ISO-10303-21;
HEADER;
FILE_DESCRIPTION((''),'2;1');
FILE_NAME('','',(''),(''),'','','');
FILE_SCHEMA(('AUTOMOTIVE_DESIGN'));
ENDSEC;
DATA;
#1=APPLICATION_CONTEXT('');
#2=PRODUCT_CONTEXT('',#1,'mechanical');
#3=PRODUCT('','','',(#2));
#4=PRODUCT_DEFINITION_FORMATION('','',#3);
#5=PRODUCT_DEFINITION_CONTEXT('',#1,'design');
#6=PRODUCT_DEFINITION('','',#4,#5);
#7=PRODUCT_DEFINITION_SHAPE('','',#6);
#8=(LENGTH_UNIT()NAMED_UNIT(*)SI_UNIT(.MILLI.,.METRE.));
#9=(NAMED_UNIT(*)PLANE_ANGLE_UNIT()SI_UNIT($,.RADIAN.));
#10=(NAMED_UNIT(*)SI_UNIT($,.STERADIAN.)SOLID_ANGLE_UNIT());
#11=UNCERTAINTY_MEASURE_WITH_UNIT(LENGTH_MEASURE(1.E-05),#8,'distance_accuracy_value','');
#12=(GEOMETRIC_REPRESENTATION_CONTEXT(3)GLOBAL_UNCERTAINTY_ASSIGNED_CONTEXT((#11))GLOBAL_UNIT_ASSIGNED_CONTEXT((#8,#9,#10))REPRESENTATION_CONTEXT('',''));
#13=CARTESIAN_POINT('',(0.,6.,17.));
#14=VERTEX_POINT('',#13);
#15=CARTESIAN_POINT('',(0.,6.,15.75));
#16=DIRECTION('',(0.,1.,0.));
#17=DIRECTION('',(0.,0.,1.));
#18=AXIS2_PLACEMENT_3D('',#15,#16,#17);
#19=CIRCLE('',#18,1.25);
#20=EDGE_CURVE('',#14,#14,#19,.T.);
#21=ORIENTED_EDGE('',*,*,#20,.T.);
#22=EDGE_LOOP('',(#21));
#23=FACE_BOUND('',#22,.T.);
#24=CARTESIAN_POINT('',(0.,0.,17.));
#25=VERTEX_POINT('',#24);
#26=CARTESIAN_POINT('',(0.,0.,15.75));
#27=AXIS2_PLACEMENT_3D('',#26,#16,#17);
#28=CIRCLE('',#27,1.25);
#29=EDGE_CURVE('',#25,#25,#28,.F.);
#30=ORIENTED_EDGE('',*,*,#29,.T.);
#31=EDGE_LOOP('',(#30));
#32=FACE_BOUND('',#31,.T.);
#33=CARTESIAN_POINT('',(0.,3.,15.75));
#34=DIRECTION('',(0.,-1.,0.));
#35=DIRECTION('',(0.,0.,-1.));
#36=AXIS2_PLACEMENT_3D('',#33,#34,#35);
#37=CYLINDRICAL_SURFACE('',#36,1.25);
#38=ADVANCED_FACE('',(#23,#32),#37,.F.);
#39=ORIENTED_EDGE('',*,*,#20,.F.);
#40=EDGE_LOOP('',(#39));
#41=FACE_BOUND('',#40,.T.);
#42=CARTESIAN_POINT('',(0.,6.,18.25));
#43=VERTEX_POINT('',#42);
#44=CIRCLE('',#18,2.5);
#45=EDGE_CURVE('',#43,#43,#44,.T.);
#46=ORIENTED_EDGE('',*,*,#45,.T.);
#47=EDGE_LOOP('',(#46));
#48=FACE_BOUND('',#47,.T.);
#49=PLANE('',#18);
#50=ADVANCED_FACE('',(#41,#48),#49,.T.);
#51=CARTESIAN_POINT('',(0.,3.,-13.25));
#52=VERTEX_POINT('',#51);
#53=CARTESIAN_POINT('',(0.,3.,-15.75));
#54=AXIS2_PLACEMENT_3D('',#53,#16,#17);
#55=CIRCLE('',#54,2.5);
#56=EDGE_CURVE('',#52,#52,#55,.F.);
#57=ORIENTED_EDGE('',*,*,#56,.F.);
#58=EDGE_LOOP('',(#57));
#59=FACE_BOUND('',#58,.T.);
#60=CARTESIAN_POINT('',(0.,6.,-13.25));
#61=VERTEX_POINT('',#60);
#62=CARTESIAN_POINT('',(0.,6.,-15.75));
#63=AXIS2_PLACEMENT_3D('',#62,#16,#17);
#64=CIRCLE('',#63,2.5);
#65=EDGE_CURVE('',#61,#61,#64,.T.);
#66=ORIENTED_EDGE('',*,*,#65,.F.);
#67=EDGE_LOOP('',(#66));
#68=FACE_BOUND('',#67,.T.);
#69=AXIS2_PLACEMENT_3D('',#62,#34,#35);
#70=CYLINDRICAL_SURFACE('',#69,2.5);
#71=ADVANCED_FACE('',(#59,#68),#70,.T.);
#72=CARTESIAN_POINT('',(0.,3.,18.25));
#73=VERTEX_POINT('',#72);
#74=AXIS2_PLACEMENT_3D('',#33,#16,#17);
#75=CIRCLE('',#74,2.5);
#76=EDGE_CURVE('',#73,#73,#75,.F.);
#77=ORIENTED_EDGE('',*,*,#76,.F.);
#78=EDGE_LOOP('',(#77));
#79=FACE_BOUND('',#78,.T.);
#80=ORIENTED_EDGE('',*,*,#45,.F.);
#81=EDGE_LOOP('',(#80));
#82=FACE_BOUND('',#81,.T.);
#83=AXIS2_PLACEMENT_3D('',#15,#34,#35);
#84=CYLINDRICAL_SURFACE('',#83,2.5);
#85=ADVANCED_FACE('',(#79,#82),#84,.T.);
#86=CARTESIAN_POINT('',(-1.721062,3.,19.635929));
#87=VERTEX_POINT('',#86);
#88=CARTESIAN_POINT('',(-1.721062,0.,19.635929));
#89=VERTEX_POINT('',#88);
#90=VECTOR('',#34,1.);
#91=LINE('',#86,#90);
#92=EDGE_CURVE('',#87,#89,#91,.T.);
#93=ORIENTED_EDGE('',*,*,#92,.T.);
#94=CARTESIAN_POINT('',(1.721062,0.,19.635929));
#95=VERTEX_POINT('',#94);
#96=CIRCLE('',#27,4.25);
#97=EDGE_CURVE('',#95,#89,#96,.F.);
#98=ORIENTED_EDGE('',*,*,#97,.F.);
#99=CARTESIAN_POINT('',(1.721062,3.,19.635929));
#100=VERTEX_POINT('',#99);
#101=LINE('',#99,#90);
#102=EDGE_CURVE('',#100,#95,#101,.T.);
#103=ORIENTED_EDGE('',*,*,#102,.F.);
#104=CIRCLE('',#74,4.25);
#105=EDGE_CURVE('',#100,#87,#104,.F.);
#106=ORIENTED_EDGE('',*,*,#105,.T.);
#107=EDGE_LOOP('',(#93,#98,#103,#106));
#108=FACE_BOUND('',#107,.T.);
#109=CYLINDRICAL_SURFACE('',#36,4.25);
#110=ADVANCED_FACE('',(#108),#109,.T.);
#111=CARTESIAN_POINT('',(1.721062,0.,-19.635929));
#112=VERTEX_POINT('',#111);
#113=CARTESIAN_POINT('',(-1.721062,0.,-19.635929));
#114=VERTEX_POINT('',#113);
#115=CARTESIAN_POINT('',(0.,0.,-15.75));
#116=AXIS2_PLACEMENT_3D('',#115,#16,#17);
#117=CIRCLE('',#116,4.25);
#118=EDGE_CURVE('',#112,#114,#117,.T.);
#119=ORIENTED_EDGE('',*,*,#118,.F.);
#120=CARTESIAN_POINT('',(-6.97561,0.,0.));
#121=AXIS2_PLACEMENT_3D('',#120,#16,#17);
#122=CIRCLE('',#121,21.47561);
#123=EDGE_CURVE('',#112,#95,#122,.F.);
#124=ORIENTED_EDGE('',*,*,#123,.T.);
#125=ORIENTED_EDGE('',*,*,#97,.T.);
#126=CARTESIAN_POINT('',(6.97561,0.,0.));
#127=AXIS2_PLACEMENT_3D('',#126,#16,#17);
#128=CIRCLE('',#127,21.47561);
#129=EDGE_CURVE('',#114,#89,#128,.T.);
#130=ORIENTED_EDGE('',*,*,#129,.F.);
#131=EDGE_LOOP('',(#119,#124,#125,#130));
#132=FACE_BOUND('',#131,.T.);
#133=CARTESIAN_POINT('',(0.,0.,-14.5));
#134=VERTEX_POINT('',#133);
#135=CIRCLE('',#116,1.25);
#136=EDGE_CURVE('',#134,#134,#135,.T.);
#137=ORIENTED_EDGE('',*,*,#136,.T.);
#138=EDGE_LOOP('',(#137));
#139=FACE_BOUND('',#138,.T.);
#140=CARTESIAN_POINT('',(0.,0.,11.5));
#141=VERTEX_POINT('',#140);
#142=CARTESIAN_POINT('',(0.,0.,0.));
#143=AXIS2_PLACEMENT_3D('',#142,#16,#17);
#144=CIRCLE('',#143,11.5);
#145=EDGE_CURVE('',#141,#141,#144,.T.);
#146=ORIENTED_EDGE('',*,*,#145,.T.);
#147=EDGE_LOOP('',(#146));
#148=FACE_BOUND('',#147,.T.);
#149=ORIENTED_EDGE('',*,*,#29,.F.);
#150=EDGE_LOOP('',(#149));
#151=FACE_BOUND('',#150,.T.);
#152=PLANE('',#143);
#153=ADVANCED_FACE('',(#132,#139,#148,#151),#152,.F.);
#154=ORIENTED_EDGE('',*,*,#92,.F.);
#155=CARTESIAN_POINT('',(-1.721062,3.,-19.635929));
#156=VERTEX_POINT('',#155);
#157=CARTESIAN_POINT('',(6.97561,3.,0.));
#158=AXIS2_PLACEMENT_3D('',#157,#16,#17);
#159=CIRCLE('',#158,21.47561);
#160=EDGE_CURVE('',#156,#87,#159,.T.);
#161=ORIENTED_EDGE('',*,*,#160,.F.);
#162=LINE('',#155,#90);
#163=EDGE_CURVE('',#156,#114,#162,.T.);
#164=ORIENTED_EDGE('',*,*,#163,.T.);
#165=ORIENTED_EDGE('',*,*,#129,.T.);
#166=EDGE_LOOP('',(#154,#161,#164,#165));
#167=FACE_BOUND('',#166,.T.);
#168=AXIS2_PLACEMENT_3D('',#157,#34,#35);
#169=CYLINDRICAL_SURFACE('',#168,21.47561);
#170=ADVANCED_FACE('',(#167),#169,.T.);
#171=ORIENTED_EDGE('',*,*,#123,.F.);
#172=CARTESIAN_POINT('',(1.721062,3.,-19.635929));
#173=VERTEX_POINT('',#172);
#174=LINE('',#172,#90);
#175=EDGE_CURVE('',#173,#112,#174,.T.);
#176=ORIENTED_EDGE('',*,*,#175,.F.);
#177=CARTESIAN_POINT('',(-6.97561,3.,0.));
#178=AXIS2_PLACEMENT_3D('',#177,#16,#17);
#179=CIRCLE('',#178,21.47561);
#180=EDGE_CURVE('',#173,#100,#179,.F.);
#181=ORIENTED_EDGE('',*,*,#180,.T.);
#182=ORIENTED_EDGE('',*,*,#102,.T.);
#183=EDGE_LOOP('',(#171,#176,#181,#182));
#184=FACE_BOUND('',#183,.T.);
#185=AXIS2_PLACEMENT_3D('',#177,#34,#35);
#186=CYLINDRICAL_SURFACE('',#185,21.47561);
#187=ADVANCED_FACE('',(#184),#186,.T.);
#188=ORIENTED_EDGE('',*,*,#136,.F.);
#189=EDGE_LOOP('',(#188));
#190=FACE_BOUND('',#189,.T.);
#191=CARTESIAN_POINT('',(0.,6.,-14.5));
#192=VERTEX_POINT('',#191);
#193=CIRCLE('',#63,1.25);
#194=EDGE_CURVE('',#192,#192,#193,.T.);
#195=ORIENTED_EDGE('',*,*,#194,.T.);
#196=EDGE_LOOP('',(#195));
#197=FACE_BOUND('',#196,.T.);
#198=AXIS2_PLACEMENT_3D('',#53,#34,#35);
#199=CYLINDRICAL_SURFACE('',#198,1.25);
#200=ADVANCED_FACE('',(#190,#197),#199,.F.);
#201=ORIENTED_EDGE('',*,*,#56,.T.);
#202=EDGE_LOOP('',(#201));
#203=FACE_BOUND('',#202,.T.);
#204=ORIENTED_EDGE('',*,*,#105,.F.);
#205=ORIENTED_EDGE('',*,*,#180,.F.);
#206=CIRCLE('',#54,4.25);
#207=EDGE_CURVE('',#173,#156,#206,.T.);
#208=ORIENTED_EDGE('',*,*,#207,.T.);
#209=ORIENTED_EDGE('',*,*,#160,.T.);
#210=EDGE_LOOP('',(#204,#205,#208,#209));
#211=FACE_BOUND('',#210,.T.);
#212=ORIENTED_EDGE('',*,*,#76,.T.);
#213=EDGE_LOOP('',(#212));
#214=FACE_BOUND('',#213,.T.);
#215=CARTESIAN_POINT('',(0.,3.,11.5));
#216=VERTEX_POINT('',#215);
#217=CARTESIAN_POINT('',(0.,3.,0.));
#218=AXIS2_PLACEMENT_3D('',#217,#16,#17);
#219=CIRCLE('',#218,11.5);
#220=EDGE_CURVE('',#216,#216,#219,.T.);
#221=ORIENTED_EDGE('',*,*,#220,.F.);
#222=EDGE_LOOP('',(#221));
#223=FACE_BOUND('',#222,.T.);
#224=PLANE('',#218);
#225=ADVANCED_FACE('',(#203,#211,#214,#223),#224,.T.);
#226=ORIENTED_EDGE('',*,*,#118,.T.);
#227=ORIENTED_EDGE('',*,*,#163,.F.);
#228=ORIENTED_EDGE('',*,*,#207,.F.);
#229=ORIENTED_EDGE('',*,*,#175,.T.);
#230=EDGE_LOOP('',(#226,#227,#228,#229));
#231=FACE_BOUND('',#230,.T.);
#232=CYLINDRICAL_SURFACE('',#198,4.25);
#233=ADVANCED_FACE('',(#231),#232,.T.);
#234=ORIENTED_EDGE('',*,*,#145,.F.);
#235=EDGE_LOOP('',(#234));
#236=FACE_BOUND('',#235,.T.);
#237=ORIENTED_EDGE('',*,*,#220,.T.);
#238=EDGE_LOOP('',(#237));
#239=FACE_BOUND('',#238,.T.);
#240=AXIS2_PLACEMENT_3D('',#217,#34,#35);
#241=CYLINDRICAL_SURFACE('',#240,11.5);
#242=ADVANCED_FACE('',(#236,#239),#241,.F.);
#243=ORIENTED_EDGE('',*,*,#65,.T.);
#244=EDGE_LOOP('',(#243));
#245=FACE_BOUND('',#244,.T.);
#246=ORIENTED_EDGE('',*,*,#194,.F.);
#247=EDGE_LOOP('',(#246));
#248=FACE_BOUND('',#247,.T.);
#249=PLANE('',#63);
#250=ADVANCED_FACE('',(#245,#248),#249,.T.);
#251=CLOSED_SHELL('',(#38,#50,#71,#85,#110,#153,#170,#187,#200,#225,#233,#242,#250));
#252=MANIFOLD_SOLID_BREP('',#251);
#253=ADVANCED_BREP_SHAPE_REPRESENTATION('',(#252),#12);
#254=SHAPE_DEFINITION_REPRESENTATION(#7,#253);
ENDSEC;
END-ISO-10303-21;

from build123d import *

# Parameters (mm, degrees)
SKETCH1_R           = 4.25
SKETCH1_R_2         = 1.25
BOSS_EXTRUDE1_DEPTH = 3
BOSS_EXTRUDE2_START = -3
SKETCH2_R           = 2.5
SKETCH2_R_2         = 1.25
BOSS_EXTRUDE2_DEPTH = 6


with BuildPart() as part:
    # Sketch1 → Boss-Extrude1 (new body)
    # profile 1 of 4: a face of its own
    with BuildSketch(Plane(origin=(0, 0, 0), x_dir=(1, 0, 0), z_dir=(0, 1, 0))):
        with BuildLine():
            ThreePointArc((1.6e-08, -11.5), (-11.5, -2.4e-08), (-3.2e-08, 11.5))
            ThreePointArc((-3.2e-08, 11.5), (-4.157986242, 14.870426004), (-1.721061947, 19.635929204))
            ThreePointArc((-1.721061947, 19.635929204), (-14.5, 0), (-1.721061947, -19.635929204))
            ThreePointArc((-1.721061947, -19.635929204), (-4.157986237, -14.87042598), (1.6e-08, -11.5))
        make_face()
    # profile 2 of 4: a face of its own
    with BuildSketch(Plane(origin=(0, 0, 0), x_dir=(1, 0, 0), z_dir=(0, 1, 0))):
        with BuildLine():
            ThreePointArc((1.721061947, 19.635929204), (3.562093014, 18.068187517), (4.25, 15.75))
            ThreePointArc((4.25, 15.75), (3.005203809, 12.744796169), (-3.2e-08, 11.5))
            ThreePointArc((-3.2e-08, 11.5), (8.131727972, 8.131727995), (11.5, 0))
            ThreePointArc((11.5, 0), (8.131727989, -8.131727978), (1.6e-08, -11.5))
            ThreePointArc((1.6e-08, -11.5), (3.005203826, -12.744796186), (4.25, -15.75))
            ThreePointArc((4.25, -15.75), (3.562093014, -18.068187517), (1.721061947, -19.635929204))
            ThreePointArc((1.721061947, -19.635929204), (14.5, 0), (1.721061947, 19.635929204))
        make_face()
    # profile 3 of 4: a face of its own
    with BuildSketch(Plane(origin=(0, 0, 0), x_dir=(1, 0, 0), z_dir=(0, 1, 0))):
        with Locations((0, 15.75)):
            Circle(SKETCH1_R)
        with Locations(Location((0, 15.75, 0), (0, 0, 270))):
            Circle(SKETCH1_R_2, mode=Mode.SUBTRACT)
    # profile 4 of 4: a face of its own
    with BuildSketch(Plane(origin=(0, 0, 0), x_dir=(1, 0, 0), z_dir=(0, 1, 0))):
        with Locations((0, -15.75)):
            Circle(SKETCH1_R)
        with Locations(Location((0, -15.75, 0), (0, 0, 270))):
            Circle(SKETCH1_R_2, mode=Mode.SUBTRACT)
    extrude(amount=BOSS_EXTRUDE1_DEPTH)

    # Sketch2 → Boss-Extrude2 (add)
    with BuildSketch(Plane(origin=(0, 3, 0), x_dir=(1, 0, 0), z_dir=(0, 1, 0)).offset(BOSS_EXTRUDE2_START)):
        with Locations(Location((0, 15.75, 0), (0, 0, 270))):
            Circle(SKETCH2_R)
        with Locations(Location((0, 15.75, 0), (0, 0, 270))):
            Circle(SKETCH2_R_2, mode=Mode.SUBTRACT)
    boss_extrude2 = extrude(amount=BOSS_EXTRUDE2_DEPTH)

    # Mirror1: Boss-Extrude2 across plane
    add(boss_extrude2.mirror(Plane.XY))


solid = part.part
